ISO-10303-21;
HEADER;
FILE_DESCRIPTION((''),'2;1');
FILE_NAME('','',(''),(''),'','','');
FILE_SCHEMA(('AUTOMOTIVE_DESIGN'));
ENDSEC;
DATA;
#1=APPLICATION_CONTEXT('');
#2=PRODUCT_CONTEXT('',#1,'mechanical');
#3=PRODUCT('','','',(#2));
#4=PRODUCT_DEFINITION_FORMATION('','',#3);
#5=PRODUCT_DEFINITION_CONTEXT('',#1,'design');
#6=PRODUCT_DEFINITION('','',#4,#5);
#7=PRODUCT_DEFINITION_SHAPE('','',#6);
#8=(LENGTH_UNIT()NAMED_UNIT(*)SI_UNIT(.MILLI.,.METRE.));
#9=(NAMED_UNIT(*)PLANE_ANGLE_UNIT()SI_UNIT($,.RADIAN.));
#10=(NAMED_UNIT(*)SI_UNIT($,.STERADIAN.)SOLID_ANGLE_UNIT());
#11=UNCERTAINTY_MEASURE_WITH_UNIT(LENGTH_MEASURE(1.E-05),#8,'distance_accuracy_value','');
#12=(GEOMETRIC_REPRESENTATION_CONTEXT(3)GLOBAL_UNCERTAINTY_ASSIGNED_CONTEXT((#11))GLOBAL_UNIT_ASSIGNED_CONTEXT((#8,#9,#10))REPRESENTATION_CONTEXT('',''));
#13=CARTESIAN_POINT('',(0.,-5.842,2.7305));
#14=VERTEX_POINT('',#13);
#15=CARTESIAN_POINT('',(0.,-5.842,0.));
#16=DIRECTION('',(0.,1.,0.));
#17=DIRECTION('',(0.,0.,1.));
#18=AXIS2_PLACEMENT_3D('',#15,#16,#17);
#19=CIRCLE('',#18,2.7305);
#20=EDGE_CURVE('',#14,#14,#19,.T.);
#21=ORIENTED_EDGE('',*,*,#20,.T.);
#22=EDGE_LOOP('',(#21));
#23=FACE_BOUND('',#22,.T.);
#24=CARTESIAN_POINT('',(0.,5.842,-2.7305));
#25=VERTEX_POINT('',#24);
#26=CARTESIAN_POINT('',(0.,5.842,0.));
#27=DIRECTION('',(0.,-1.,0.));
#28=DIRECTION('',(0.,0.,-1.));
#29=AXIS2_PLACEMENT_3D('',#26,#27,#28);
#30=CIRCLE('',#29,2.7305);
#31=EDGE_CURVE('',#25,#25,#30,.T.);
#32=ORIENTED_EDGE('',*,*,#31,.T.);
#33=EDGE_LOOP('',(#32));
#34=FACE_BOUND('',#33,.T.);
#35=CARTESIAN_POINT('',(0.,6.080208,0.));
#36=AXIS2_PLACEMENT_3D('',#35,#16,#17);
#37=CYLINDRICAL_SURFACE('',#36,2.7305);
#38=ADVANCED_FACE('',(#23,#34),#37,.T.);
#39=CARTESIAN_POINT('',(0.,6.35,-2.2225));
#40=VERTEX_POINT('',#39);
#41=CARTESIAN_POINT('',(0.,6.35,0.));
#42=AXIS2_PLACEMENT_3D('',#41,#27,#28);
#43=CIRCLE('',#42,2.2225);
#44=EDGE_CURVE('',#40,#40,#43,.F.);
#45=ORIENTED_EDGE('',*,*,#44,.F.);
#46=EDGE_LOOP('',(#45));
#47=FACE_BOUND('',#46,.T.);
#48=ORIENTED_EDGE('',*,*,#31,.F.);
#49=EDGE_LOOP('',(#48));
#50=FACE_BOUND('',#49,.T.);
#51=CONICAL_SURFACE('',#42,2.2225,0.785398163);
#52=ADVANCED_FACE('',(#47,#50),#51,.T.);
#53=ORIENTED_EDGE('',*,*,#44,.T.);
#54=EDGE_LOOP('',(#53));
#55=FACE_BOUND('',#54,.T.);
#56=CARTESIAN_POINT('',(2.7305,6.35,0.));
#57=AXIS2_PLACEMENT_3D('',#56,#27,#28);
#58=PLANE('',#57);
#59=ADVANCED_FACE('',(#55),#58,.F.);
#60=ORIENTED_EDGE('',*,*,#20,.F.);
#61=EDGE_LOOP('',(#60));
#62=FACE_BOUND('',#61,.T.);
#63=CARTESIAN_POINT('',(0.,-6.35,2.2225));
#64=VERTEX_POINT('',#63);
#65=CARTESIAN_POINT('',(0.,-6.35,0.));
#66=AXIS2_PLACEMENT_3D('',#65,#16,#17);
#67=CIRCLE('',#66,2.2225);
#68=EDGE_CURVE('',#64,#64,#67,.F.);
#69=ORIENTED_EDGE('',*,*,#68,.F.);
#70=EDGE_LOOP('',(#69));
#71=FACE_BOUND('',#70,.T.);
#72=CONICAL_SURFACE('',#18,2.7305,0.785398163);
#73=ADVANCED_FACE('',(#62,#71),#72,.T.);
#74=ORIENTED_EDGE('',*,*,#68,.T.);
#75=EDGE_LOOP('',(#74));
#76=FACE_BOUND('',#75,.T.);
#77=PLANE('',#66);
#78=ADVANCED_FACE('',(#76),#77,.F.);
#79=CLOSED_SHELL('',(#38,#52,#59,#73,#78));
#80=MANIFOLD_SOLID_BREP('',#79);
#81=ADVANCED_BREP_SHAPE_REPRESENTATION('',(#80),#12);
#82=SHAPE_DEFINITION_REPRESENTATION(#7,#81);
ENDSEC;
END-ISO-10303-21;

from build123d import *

# Parameters (mm, degrees)
SKETCH1_W     = 2.7305
SKETCH1_H     = 12.7
CHAMFER1_SIZE = 0.508


with BuildPart() as part:
    # Sketch1 → Revolve1 (revolve)
    with BuildSketch(Plane.XY):
        with Locations((1.36525, 0)):
            Rectangle(SKETCH1_W, SKETCH1_H)
    revolve(axis=Axis((0, 6.080207887, 0), (0, -1, 0)))

    # Chamfer1
    chamfer1_edges = [part.edges().sort_by_distance(p)[0] for p in [
        (-2.7305, 6.35, 0),
        (-2.7305, -6.35, 0),
    ]]
    chamfer(chamfer1_edges, length=CHAMFER1_SIZE)


solid = part.part
